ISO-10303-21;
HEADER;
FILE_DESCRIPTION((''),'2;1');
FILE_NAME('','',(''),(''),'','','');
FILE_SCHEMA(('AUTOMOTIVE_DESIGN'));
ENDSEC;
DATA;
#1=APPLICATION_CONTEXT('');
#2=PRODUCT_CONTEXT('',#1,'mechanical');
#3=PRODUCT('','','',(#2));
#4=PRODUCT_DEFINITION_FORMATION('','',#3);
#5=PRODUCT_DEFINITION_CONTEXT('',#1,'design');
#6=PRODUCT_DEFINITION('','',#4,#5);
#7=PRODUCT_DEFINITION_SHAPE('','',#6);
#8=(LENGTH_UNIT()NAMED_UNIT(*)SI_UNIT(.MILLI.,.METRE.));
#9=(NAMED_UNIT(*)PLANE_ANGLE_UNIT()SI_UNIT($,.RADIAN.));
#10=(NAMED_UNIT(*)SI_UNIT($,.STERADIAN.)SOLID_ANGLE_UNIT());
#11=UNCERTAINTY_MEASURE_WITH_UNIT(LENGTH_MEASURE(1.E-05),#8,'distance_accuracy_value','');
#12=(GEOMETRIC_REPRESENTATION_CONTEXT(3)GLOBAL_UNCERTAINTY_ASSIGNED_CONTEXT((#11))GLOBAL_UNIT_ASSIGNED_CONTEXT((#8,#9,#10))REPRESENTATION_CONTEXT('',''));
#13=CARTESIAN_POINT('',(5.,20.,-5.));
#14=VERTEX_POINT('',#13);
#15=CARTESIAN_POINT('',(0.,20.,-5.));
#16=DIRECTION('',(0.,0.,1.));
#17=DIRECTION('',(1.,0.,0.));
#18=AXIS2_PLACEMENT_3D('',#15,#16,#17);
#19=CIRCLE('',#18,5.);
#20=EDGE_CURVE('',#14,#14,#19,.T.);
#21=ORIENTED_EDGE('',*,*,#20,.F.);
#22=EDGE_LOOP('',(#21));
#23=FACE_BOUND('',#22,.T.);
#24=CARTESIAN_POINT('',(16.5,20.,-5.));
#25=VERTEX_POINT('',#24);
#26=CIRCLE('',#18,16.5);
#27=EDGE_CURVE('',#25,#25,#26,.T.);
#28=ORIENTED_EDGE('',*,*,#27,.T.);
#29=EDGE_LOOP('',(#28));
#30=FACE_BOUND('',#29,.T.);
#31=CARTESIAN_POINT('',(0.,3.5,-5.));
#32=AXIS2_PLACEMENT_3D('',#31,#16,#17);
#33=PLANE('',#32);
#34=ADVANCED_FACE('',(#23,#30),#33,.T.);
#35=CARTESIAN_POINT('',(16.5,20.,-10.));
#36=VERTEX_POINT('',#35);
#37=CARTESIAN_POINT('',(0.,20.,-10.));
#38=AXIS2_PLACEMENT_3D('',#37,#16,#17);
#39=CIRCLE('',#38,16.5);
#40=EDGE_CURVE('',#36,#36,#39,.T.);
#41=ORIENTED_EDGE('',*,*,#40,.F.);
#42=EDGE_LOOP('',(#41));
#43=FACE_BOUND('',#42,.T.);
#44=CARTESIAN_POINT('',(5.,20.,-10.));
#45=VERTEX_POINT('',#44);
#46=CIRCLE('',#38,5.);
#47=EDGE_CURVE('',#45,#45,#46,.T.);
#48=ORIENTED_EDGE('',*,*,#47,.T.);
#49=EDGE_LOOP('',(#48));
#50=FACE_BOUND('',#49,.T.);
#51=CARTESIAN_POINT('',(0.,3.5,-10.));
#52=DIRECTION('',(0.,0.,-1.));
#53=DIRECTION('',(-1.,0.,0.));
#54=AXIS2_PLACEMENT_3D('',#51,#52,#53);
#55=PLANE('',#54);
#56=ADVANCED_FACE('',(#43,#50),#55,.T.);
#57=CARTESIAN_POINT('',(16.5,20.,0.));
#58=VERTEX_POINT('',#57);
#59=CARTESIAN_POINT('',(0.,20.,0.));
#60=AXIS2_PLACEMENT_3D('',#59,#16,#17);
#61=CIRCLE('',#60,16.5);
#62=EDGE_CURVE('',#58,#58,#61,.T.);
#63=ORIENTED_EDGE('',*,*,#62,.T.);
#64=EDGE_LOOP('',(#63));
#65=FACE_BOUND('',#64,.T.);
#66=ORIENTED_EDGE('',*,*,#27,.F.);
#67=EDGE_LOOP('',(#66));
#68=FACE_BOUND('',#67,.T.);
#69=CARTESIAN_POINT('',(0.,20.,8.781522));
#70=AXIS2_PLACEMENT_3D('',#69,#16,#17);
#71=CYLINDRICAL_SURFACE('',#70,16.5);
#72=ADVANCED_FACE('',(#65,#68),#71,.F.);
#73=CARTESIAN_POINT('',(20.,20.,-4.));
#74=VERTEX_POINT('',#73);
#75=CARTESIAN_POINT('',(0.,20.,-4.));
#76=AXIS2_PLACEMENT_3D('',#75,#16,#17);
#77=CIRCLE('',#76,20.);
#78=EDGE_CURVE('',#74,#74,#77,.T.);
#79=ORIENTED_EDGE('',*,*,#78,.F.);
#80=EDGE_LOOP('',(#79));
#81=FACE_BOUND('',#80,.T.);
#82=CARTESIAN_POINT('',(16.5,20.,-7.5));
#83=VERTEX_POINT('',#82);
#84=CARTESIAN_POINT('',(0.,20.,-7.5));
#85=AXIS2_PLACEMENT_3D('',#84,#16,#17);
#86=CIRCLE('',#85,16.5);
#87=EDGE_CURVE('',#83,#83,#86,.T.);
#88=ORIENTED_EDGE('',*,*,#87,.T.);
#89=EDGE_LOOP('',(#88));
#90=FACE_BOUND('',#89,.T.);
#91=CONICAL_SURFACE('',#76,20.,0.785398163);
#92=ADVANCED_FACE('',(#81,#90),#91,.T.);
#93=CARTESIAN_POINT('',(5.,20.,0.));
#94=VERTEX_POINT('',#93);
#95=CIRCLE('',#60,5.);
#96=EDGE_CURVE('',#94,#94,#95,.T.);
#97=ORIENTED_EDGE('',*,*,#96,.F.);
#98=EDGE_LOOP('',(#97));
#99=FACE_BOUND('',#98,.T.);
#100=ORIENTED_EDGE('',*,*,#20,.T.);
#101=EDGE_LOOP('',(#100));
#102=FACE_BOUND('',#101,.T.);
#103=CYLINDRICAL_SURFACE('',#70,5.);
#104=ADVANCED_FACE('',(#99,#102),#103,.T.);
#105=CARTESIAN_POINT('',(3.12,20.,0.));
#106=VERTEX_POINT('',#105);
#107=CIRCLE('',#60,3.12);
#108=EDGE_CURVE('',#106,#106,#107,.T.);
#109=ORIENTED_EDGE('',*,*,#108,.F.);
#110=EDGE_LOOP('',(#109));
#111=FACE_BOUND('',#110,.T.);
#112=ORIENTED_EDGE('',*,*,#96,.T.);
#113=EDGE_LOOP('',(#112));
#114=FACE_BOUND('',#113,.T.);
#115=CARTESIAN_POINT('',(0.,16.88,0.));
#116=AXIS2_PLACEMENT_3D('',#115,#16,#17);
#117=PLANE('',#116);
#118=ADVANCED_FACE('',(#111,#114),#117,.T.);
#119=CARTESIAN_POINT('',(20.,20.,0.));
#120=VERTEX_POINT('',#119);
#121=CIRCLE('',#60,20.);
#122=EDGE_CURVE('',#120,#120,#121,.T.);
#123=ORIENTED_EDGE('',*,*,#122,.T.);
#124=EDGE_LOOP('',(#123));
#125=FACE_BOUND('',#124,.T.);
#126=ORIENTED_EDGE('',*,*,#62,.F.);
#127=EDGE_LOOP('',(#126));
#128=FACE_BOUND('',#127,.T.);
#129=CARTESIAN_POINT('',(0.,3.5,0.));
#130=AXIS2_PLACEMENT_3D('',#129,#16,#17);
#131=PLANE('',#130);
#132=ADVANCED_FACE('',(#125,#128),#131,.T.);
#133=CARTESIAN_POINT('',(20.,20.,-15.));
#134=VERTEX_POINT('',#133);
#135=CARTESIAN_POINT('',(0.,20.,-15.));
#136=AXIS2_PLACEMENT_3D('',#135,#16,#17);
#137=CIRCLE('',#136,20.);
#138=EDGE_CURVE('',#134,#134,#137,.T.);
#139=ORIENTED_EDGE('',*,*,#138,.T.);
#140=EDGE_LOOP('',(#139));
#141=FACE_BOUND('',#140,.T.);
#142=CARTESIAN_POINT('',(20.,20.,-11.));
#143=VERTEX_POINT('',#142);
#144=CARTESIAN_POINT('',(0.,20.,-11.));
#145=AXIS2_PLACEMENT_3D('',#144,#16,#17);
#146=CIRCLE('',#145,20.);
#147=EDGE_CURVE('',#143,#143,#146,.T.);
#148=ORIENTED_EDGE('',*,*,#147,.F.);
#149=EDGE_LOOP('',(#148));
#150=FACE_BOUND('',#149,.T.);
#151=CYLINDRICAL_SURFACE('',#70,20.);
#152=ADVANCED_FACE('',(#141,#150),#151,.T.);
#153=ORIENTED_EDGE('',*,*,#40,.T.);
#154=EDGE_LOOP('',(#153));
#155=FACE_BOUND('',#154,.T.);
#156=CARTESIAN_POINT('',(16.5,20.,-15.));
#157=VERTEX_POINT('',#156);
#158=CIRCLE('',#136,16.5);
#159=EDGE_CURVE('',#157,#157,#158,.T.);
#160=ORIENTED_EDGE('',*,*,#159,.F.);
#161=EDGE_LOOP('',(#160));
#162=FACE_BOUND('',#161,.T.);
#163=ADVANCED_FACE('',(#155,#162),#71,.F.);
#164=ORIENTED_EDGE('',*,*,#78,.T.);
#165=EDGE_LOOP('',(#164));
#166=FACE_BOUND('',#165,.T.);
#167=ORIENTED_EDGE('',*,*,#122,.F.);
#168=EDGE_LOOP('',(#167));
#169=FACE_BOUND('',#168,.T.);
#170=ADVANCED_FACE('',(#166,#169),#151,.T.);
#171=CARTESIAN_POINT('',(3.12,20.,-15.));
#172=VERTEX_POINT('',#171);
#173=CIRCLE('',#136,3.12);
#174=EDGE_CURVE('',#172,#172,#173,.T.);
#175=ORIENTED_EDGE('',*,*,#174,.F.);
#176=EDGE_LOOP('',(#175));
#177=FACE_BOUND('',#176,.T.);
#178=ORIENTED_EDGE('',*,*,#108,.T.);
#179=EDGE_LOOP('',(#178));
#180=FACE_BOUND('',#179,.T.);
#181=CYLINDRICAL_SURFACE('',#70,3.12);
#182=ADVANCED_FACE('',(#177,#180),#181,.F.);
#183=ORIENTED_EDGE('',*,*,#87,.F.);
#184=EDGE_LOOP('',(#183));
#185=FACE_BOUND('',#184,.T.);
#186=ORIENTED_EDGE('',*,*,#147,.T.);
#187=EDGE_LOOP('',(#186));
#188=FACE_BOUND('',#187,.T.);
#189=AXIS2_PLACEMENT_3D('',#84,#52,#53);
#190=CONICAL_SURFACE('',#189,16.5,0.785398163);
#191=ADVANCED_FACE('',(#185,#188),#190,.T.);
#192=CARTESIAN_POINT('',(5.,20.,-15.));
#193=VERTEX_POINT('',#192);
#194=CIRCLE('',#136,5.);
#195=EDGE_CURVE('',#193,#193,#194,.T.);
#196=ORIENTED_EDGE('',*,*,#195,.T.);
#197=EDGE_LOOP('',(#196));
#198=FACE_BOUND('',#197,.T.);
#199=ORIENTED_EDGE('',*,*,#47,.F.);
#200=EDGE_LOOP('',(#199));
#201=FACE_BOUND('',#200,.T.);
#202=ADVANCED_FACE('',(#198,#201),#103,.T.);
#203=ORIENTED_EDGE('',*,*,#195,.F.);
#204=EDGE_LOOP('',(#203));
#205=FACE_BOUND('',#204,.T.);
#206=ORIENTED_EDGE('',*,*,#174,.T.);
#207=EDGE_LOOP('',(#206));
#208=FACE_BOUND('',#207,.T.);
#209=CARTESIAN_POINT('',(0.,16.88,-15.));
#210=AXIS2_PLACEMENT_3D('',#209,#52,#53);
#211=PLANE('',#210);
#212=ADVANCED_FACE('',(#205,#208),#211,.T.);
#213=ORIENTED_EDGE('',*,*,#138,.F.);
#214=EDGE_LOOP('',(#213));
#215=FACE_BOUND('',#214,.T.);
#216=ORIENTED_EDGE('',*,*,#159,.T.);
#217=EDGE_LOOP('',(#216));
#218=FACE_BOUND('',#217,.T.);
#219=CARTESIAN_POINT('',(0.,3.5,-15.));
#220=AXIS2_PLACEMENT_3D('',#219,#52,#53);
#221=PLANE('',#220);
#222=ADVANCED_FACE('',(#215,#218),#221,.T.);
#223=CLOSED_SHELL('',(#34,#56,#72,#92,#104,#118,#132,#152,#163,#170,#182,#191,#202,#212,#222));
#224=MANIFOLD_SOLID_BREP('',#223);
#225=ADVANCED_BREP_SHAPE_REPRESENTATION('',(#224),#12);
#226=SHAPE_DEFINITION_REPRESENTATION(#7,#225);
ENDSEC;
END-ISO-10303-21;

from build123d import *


with BuildPart() as part:
    # Sketch1 → Revolve1 (revolve)
    with BuildSketch(Plane(origin=(0, 0, 0), x_dir=(0, 0, -1), z_dir=(1, 0, 0))):
        Polygon((0, 0), (4, 0), (7.5, 3.5), (11, 0), (15, 0), (15, 3.5), (10, 3.5), (10, 15), (15, 15), (15, 16.88), (0, 16.88), (0, 15), (5, 15), (5, 3.5), (0, 3.5), align=None)
    revolve(axis=Axis((0, 20, 8.781522249), (0, 0, -1)))


solid = part.part
